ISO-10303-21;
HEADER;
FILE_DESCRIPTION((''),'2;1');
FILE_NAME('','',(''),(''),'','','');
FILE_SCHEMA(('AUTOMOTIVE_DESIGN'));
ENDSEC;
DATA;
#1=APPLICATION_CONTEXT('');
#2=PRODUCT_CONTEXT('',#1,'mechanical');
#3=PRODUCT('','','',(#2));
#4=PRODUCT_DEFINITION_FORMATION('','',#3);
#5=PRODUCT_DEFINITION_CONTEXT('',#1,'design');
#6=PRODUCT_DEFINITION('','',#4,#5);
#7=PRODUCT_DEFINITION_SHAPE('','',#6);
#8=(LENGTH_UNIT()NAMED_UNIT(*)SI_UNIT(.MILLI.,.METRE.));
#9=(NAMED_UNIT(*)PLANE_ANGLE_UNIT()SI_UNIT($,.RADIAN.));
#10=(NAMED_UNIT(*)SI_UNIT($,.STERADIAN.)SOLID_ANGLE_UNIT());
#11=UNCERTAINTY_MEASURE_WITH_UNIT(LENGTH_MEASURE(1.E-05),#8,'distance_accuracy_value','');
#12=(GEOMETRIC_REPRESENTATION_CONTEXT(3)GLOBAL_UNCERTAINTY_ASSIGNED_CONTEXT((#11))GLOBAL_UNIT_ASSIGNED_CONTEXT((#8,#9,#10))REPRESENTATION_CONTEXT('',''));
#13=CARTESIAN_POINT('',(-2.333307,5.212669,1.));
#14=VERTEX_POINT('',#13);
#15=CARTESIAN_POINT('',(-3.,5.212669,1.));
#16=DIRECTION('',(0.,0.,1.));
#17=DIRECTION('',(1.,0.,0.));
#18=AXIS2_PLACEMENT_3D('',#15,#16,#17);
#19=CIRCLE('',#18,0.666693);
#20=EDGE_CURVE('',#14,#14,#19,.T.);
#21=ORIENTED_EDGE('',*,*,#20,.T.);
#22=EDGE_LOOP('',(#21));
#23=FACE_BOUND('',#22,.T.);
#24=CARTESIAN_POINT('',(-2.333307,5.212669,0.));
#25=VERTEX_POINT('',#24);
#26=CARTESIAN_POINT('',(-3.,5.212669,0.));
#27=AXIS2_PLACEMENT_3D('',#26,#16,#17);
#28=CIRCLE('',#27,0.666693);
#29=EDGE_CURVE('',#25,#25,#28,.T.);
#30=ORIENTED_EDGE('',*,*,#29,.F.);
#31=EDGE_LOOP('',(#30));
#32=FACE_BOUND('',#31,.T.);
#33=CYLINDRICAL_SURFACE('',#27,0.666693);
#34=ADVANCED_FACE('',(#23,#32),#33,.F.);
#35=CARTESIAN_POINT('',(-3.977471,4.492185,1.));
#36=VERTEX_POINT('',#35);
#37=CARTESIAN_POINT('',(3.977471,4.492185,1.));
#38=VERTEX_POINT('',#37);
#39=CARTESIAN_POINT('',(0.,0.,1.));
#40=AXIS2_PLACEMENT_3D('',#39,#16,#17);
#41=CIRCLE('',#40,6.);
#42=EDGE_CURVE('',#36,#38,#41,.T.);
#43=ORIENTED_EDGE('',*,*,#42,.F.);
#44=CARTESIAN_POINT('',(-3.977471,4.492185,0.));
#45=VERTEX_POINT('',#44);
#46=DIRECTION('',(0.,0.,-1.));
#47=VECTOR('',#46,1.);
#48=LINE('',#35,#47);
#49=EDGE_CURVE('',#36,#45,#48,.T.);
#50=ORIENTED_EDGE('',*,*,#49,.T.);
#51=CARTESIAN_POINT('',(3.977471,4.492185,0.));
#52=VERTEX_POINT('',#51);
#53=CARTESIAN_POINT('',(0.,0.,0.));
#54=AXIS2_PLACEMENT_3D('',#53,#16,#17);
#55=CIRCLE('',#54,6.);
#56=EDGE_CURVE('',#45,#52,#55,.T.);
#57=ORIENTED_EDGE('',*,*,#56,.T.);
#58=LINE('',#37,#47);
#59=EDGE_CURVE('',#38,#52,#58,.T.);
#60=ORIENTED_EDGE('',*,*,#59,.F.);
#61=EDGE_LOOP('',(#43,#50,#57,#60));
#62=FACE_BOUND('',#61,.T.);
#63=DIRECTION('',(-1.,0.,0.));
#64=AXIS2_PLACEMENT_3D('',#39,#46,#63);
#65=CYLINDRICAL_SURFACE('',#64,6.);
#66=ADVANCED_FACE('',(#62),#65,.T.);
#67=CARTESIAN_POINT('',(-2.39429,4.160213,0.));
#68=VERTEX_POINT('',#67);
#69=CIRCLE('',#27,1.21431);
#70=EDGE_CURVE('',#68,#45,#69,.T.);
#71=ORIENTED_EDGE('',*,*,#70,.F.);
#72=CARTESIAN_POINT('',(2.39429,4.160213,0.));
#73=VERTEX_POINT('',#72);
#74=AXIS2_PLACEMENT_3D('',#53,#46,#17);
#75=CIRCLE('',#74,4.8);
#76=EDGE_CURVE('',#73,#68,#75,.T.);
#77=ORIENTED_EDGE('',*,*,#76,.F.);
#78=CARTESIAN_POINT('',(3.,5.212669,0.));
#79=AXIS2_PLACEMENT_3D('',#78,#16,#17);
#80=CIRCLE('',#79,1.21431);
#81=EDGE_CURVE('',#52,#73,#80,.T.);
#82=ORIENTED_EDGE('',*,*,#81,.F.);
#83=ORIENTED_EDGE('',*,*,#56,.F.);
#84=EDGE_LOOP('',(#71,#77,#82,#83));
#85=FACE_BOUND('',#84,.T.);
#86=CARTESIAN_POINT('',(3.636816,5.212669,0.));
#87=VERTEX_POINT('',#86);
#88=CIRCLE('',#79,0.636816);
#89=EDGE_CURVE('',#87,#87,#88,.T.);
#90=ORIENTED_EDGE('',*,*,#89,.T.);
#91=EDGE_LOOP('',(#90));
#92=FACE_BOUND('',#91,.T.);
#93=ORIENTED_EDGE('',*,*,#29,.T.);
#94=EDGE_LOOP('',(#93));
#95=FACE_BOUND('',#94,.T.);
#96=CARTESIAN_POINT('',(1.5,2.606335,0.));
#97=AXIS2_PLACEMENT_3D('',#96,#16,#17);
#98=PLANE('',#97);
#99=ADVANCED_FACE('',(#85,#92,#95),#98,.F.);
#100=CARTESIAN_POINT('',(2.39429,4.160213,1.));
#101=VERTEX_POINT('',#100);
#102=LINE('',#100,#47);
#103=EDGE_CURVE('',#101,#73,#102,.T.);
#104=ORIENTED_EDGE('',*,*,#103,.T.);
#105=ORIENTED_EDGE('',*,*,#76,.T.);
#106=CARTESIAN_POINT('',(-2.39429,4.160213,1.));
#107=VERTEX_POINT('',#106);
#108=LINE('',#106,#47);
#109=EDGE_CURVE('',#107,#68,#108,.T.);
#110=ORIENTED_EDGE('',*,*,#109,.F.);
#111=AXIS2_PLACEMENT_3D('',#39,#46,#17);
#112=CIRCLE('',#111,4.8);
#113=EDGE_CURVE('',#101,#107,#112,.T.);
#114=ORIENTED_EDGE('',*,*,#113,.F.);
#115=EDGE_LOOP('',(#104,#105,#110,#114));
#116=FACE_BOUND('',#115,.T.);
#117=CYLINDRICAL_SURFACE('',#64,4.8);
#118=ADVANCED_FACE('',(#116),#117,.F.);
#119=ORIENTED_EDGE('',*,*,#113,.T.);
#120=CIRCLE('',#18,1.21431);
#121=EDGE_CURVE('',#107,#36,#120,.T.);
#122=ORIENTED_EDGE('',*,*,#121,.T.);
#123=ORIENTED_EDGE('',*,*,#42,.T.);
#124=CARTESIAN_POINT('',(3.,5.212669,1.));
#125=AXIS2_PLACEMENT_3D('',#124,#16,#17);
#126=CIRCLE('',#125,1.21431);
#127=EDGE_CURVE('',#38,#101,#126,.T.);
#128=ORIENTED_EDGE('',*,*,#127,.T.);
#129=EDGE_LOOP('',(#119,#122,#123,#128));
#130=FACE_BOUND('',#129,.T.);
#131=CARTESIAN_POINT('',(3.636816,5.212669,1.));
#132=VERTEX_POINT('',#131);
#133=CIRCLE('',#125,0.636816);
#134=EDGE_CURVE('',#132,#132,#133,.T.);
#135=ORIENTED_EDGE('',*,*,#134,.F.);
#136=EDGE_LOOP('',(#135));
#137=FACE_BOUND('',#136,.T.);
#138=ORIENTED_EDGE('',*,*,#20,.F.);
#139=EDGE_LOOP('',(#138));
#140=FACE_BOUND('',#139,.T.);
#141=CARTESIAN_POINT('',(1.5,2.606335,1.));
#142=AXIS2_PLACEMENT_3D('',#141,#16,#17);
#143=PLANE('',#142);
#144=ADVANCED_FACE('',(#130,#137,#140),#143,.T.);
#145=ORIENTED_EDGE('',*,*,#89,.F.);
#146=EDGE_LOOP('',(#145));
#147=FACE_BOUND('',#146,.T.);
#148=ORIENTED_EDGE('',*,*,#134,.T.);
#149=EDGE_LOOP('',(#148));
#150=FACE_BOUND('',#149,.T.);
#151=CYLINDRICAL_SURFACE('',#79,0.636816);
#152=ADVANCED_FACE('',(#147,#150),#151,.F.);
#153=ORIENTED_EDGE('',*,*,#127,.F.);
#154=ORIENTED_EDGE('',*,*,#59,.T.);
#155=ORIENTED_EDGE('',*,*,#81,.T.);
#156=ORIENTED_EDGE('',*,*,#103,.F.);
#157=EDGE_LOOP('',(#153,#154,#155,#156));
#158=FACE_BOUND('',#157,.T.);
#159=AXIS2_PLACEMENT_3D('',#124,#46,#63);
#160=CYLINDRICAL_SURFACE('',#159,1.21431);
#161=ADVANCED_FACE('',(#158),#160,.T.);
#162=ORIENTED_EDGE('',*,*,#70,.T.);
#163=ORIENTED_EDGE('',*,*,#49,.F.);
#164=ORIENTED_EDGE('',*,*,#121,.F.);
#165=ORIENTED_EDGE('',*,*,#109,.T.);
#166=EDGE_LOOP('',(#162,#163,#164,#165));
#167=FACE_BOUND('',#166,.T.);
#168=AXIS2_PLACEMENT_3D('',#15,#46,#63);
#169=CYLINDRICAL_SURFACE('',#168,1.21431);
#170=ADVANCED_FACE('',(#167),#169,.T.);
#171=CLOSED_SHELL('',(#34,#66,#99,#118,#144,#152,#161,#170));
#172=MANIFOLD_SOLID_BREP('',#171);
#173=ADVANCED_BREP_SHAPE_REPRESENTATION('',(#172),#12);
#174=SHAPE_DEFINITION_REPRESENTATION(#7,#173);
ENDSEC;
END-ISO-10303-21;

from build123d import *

# Parameters (mm, degrees)
RESSALTO_EXTRUS_O1_DEPTH = 1
ESBO_O2_R                = 0.666692757
ESBO_O2_R_2              = 0.636816377
CORTE_EXTRUS_O1_DEPTH    = 1


with BuildPart() as part:
    # Esboço1 → Ressalto-extrusão1 (new body)
    with BuildSketch(Plane.XY):
        with BuildLine():
            ThreePointArc((-2.394289804, 4.160213496), (0, -4.8), (2.394289804, 4.160213496))
            ThreePointArc((2.394289804, 4.160213496), (2.750795728, 6.401132349), (3.977471151, 4.492184685))
            ThreePointArc((3.977471151, 4.492184685), (0, -6), (-3.977471151, 4.492184685))
            ThreePointArc((-3.977471151, 4.492184685), (-2.750795728, 6.401132349), (-2.394289804, 4.160213496))
        make_face()
    extrude(amount=RESSALTO_EXTRUS_O1_DEPTH)

    # Esboço2 → Corte-extrusão1 (cut)
    with BuildSketch(Plane.XY.offset(1)):
        with Locations((-3, 5.212669105)):
            Circle(ESBO_O2_R)
        with Locations((3, 5.212669105)):
            Circle(ESBO_O2_R_2)
    extrude(amount=-CORTE_EXTRUS_O1_DEPTH, mode=Mode.SUBTRACT)


solid = part.part
